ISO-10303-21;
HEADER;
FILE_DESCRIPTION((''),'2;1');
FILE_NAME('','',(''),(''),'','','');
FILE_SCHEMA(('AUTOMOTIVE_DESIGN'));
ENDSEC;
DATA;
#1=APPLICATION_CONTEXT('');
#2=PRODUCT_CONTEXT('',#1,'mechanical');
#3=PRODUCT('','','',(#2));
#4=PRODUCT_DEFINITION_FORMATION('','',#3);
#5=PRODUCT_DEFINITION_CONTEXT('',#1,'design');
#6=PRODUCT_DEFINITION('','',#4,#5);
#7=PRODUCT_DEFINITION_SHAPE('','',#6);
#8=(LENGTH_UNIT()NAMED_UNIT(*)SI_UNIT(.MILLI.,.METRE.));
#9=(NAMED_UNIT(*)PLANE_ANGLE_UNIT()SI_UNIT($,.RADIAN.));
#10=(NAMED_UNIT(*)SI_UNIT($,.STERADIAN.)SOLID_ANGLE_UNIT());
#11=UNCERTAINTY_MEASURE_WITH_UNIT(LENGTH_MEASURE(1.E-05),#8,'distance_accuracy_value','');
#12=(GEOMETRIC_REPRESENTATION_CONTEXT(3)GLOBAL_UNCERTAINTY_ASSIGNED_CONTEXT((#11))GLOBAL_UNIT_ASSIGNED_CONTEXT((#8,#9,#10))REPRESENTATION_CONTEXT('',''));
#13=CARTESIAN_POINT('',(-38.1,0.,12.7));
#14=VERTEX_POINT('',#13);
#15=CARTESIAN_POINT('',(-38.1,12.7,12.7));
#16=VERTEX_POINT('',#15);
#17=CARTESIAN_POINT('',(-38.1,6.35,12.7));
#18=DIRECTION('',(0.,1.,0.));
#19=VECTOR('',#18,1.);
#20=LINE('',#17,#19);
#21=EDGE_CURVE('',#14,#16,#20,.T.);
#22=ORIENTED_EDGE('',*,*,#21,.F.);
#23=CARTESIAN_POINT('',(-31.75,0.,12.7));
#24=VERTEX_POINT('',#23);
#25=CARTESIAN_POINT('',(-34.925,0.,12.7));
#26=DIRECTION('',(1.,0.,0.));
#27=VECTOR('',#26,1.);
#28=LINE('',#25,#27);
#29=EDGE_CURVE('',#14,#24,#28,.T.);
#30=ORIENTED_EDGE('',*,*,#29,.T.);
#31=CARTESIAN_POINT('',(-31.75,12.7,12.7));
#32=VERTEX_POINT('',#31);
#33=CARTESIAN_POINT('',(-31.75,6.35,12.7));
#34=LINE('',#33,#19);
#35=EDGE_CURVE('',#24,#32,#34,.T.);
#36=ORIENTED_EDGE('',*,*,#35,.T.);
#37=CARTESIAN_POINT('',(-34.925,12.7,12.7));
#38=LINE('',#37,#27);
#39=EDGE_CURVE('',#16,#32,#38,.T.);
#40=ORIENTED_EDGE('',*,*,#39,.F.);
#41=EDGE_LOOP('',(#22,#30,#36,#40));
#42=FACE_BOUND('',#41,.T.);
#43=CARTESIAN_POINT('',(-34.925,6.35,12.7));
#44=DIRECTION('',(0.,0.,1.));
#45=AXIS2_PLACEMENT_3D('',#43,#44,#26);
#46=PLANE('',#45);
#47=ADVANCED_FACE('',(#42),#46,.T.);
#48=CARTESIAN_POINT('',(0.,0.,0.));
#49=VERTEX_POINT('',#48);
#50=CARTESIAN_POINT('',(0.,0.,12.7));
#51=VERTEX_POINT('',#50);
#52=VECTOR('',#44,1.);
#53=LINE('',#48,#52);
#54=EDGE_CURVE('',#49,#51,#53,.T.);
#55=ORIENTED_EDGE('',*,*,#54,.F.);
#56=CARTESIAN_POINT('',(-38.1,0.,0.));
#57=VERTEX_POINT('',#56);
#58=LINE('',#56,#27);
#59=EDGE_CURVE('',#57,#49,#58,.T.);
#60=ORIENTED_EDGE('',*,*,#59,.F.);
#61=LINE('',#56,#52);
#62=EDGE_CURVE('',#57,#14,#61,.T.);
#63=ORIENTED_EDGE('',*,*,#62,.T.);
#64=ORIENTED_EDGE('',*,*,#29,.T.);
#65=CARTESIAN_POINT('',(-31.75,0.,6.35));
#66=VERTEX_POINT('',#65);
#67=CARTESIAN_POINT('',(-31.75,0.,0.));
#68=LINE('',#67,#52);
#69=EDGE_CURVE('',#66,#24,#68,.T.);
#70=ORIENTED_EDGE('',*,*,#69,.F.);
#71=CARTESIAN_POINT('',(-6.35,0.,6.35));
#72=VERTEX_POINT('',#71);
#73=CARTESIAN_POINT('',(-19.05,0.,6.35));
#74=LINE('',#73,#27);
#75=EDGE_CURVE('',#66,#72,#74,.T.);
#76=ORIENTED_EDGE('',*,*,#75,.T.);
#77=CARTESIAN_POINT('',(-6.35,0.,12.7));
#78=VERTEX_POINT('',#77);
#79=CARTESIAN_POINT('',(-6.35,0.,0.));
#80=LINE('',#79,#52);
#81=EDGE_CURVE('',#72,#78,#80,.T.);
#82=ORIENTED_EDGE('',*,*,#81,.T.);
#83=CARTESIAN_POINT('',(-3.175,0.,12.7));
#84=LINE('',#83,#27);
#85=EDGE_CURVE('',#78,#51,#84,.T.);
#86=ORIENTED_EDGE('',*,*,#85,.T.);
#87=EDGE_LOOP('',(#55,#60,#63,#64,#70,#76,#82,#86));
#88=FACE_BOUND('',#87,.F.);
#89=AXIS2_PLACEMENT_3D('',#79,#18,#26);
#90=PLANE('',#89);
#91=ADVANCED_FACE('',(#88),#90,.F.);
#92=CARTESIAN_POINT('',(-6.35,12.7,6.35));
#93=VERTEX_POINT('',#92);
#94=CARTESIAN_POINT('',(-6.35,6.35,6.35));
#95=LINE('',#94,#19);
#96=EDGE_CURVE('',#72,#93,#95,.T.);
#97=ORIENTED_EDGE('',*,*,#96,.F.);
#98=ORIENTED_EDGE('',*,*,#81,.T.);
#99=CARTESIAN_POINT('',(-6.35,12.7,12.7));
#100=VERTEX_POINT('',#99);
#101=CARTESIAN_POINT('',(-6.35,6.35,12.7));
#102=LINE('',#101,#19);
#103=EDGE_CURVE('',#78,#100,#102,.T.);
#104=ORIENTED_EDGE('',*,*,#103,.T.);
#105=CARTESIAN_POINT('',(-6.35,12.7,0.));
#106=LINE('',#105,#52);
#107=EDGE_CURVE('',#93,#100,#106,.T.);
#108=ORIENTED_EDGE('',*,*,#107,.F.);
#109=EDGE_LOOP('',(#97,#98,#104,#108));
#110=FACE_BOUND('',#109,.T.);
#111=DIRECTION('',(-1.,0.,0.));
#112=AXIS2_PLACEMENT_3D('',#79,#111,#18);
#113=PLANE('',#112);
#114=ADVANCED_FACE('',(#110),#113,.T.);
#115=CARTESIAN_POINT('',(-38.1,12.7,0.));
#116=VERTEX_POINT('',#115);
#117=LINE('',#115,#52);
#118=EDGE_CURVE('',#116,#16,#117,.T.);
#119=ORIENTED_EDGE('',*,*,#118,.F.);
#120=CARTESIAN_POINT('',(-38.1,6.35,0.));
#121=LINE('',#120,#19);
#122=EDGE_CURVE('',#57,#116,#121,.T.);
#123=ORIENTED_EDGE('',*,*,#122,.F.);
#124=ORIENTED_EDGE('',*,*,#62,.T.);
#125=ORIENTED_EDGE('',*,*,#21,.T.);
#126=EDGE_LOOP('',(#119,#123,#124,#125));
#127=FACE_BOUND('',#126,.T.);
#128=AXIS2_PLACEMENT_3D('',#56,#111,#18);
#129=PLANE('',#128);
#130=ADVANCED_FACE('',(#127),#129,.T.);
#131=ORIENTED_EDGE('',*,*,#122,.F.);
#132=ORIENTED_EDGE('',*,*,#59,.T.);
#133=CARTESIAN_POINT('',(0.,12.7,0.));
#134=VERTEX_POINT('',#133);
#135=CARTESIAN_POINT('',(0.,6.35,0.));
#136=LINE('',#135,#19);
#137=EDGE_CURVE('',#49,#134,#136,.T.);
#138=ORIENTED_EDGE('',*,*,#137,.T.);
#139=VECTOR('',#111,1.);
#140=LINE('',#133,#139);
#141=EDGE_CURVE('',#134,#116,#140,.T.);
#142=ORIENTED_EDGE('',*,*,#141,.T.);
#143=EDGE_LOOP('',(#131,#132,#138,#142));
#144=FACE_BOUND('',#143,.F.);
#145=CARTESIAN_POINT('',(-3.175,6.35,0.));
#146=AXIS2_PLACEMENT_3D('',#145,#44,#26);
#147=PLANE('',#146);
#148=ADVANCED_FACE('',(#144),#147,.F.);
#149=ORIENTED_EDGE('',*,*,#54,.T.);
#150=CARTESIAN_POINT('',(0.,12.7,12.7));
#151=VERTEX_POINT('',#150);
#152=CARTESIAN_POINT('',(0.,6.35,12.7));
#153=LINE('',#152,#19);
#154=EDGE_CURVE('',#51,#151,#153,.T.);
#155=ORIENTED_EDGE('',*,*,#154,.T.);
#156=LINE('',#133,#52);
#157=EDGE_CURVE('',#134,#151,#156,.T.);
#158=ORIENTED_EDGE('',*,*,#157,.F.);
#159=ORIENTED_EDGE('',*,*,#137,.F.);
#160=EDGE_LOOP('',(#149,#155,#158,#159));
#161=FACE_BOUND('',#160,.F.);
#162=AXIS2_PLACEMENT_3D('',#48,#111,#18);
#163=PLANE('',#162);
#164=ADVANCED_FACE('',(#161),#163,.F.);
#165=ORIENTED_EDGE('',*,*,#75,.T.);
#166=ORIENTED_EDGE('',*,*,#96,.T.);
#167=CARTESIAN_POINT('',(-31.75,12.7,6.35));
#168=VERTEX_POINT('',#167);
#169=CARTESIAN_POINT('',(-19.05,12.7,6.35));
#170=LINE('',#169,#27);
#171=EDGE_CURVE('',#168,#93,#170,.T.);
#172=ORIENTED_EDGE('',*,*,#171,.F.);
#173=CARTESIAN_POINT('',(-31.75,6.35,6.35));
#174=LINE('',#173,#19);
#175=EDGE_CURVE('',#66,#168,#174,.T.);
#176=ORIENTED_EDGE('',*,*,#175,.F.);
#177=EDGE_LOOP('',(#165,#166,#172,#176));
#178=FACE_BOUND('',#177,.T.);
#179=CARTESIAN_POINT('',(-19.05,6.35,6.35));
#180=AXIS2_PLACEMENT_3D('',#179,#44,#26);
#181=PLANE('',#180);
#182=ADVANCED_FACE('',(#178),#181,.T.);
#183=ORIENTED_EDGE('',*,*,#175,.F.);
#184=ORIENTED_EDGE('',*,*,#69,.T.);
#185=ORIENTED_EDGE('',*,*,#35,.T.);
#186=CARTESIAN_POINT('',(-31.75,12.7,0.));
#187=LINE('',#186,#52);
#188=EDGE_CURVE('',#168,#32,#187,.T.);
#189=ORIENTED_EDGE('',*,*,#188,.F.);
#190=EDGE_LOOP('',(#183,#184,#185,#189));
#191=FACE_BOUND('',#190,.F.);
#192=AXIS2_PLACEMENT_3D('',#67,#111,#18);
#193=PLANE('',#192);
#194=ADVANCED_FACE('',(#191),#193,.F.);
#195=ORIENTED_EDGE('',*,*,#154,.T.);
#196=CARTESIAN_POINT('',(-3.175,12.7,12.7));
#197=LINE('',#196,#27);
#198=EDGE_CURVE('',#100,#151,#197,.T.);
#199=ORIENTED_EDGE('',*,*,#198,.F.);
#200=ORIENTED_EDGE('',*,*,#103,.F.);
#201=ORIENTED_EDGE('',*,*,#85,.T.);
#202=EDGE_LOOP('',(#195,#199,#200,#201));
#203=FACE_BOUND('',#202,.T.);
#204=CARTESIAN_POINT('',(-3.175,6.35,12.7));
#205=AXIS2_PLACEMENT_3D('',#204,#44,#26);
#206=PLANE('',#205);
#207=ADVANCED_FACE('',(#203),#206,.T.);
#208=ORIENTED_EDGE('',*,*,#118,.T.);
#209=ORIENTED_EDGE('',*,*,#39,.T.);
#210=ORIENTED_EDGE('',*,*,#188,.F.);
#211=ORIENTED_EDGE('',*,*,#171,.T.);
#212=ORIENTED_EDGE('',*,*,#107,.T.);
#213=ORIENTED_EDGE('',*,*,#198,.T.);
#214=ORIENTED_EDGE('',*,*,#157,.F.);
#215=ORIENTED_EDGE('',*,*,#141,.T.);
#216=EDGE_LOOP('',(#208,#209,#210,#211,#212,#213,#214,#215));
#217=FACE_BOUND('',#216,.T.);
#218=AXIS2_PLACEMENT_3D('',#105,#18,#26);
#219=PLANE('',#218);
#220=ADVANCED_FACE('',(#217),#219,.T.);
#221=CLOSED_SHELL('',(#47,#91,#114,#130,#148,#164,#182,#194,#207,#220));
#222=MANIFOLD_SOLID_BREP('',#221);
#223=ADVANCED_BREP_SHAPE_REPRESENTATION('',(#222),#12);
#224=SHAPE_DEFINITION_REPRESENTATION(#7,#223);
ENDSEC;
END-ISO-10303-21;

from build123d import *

# Parameters (mm, degrees)
F0_W     = 25.4
F0_H     = 12.7
F1_DEPTH = 6.35
F0_W_2   = 6.35
F2_DEPTH = 12.7


with BuildPart() as f1:
    # F0 (on Top) → F1 (new body)
    with BuildSketch(Plane.XY):
        with Locations((-19.05, 6.35)):
            Rectangle(F0_W, F0_H)
    extrude(amount=F1_DEPTH)

    # F0 (on Top) → F2 (join)
    with BuildSketch(Plane.XY):
        with Locations((-3.175, 6.35)):
            Rectangle(F0_W_2, F0_H)
        with Locations((-34.925, 6.35)):
            Rectangle(F0_W_2, F0_H)
    extrude(amount=F2_DEPTH)


solid = f1.part
